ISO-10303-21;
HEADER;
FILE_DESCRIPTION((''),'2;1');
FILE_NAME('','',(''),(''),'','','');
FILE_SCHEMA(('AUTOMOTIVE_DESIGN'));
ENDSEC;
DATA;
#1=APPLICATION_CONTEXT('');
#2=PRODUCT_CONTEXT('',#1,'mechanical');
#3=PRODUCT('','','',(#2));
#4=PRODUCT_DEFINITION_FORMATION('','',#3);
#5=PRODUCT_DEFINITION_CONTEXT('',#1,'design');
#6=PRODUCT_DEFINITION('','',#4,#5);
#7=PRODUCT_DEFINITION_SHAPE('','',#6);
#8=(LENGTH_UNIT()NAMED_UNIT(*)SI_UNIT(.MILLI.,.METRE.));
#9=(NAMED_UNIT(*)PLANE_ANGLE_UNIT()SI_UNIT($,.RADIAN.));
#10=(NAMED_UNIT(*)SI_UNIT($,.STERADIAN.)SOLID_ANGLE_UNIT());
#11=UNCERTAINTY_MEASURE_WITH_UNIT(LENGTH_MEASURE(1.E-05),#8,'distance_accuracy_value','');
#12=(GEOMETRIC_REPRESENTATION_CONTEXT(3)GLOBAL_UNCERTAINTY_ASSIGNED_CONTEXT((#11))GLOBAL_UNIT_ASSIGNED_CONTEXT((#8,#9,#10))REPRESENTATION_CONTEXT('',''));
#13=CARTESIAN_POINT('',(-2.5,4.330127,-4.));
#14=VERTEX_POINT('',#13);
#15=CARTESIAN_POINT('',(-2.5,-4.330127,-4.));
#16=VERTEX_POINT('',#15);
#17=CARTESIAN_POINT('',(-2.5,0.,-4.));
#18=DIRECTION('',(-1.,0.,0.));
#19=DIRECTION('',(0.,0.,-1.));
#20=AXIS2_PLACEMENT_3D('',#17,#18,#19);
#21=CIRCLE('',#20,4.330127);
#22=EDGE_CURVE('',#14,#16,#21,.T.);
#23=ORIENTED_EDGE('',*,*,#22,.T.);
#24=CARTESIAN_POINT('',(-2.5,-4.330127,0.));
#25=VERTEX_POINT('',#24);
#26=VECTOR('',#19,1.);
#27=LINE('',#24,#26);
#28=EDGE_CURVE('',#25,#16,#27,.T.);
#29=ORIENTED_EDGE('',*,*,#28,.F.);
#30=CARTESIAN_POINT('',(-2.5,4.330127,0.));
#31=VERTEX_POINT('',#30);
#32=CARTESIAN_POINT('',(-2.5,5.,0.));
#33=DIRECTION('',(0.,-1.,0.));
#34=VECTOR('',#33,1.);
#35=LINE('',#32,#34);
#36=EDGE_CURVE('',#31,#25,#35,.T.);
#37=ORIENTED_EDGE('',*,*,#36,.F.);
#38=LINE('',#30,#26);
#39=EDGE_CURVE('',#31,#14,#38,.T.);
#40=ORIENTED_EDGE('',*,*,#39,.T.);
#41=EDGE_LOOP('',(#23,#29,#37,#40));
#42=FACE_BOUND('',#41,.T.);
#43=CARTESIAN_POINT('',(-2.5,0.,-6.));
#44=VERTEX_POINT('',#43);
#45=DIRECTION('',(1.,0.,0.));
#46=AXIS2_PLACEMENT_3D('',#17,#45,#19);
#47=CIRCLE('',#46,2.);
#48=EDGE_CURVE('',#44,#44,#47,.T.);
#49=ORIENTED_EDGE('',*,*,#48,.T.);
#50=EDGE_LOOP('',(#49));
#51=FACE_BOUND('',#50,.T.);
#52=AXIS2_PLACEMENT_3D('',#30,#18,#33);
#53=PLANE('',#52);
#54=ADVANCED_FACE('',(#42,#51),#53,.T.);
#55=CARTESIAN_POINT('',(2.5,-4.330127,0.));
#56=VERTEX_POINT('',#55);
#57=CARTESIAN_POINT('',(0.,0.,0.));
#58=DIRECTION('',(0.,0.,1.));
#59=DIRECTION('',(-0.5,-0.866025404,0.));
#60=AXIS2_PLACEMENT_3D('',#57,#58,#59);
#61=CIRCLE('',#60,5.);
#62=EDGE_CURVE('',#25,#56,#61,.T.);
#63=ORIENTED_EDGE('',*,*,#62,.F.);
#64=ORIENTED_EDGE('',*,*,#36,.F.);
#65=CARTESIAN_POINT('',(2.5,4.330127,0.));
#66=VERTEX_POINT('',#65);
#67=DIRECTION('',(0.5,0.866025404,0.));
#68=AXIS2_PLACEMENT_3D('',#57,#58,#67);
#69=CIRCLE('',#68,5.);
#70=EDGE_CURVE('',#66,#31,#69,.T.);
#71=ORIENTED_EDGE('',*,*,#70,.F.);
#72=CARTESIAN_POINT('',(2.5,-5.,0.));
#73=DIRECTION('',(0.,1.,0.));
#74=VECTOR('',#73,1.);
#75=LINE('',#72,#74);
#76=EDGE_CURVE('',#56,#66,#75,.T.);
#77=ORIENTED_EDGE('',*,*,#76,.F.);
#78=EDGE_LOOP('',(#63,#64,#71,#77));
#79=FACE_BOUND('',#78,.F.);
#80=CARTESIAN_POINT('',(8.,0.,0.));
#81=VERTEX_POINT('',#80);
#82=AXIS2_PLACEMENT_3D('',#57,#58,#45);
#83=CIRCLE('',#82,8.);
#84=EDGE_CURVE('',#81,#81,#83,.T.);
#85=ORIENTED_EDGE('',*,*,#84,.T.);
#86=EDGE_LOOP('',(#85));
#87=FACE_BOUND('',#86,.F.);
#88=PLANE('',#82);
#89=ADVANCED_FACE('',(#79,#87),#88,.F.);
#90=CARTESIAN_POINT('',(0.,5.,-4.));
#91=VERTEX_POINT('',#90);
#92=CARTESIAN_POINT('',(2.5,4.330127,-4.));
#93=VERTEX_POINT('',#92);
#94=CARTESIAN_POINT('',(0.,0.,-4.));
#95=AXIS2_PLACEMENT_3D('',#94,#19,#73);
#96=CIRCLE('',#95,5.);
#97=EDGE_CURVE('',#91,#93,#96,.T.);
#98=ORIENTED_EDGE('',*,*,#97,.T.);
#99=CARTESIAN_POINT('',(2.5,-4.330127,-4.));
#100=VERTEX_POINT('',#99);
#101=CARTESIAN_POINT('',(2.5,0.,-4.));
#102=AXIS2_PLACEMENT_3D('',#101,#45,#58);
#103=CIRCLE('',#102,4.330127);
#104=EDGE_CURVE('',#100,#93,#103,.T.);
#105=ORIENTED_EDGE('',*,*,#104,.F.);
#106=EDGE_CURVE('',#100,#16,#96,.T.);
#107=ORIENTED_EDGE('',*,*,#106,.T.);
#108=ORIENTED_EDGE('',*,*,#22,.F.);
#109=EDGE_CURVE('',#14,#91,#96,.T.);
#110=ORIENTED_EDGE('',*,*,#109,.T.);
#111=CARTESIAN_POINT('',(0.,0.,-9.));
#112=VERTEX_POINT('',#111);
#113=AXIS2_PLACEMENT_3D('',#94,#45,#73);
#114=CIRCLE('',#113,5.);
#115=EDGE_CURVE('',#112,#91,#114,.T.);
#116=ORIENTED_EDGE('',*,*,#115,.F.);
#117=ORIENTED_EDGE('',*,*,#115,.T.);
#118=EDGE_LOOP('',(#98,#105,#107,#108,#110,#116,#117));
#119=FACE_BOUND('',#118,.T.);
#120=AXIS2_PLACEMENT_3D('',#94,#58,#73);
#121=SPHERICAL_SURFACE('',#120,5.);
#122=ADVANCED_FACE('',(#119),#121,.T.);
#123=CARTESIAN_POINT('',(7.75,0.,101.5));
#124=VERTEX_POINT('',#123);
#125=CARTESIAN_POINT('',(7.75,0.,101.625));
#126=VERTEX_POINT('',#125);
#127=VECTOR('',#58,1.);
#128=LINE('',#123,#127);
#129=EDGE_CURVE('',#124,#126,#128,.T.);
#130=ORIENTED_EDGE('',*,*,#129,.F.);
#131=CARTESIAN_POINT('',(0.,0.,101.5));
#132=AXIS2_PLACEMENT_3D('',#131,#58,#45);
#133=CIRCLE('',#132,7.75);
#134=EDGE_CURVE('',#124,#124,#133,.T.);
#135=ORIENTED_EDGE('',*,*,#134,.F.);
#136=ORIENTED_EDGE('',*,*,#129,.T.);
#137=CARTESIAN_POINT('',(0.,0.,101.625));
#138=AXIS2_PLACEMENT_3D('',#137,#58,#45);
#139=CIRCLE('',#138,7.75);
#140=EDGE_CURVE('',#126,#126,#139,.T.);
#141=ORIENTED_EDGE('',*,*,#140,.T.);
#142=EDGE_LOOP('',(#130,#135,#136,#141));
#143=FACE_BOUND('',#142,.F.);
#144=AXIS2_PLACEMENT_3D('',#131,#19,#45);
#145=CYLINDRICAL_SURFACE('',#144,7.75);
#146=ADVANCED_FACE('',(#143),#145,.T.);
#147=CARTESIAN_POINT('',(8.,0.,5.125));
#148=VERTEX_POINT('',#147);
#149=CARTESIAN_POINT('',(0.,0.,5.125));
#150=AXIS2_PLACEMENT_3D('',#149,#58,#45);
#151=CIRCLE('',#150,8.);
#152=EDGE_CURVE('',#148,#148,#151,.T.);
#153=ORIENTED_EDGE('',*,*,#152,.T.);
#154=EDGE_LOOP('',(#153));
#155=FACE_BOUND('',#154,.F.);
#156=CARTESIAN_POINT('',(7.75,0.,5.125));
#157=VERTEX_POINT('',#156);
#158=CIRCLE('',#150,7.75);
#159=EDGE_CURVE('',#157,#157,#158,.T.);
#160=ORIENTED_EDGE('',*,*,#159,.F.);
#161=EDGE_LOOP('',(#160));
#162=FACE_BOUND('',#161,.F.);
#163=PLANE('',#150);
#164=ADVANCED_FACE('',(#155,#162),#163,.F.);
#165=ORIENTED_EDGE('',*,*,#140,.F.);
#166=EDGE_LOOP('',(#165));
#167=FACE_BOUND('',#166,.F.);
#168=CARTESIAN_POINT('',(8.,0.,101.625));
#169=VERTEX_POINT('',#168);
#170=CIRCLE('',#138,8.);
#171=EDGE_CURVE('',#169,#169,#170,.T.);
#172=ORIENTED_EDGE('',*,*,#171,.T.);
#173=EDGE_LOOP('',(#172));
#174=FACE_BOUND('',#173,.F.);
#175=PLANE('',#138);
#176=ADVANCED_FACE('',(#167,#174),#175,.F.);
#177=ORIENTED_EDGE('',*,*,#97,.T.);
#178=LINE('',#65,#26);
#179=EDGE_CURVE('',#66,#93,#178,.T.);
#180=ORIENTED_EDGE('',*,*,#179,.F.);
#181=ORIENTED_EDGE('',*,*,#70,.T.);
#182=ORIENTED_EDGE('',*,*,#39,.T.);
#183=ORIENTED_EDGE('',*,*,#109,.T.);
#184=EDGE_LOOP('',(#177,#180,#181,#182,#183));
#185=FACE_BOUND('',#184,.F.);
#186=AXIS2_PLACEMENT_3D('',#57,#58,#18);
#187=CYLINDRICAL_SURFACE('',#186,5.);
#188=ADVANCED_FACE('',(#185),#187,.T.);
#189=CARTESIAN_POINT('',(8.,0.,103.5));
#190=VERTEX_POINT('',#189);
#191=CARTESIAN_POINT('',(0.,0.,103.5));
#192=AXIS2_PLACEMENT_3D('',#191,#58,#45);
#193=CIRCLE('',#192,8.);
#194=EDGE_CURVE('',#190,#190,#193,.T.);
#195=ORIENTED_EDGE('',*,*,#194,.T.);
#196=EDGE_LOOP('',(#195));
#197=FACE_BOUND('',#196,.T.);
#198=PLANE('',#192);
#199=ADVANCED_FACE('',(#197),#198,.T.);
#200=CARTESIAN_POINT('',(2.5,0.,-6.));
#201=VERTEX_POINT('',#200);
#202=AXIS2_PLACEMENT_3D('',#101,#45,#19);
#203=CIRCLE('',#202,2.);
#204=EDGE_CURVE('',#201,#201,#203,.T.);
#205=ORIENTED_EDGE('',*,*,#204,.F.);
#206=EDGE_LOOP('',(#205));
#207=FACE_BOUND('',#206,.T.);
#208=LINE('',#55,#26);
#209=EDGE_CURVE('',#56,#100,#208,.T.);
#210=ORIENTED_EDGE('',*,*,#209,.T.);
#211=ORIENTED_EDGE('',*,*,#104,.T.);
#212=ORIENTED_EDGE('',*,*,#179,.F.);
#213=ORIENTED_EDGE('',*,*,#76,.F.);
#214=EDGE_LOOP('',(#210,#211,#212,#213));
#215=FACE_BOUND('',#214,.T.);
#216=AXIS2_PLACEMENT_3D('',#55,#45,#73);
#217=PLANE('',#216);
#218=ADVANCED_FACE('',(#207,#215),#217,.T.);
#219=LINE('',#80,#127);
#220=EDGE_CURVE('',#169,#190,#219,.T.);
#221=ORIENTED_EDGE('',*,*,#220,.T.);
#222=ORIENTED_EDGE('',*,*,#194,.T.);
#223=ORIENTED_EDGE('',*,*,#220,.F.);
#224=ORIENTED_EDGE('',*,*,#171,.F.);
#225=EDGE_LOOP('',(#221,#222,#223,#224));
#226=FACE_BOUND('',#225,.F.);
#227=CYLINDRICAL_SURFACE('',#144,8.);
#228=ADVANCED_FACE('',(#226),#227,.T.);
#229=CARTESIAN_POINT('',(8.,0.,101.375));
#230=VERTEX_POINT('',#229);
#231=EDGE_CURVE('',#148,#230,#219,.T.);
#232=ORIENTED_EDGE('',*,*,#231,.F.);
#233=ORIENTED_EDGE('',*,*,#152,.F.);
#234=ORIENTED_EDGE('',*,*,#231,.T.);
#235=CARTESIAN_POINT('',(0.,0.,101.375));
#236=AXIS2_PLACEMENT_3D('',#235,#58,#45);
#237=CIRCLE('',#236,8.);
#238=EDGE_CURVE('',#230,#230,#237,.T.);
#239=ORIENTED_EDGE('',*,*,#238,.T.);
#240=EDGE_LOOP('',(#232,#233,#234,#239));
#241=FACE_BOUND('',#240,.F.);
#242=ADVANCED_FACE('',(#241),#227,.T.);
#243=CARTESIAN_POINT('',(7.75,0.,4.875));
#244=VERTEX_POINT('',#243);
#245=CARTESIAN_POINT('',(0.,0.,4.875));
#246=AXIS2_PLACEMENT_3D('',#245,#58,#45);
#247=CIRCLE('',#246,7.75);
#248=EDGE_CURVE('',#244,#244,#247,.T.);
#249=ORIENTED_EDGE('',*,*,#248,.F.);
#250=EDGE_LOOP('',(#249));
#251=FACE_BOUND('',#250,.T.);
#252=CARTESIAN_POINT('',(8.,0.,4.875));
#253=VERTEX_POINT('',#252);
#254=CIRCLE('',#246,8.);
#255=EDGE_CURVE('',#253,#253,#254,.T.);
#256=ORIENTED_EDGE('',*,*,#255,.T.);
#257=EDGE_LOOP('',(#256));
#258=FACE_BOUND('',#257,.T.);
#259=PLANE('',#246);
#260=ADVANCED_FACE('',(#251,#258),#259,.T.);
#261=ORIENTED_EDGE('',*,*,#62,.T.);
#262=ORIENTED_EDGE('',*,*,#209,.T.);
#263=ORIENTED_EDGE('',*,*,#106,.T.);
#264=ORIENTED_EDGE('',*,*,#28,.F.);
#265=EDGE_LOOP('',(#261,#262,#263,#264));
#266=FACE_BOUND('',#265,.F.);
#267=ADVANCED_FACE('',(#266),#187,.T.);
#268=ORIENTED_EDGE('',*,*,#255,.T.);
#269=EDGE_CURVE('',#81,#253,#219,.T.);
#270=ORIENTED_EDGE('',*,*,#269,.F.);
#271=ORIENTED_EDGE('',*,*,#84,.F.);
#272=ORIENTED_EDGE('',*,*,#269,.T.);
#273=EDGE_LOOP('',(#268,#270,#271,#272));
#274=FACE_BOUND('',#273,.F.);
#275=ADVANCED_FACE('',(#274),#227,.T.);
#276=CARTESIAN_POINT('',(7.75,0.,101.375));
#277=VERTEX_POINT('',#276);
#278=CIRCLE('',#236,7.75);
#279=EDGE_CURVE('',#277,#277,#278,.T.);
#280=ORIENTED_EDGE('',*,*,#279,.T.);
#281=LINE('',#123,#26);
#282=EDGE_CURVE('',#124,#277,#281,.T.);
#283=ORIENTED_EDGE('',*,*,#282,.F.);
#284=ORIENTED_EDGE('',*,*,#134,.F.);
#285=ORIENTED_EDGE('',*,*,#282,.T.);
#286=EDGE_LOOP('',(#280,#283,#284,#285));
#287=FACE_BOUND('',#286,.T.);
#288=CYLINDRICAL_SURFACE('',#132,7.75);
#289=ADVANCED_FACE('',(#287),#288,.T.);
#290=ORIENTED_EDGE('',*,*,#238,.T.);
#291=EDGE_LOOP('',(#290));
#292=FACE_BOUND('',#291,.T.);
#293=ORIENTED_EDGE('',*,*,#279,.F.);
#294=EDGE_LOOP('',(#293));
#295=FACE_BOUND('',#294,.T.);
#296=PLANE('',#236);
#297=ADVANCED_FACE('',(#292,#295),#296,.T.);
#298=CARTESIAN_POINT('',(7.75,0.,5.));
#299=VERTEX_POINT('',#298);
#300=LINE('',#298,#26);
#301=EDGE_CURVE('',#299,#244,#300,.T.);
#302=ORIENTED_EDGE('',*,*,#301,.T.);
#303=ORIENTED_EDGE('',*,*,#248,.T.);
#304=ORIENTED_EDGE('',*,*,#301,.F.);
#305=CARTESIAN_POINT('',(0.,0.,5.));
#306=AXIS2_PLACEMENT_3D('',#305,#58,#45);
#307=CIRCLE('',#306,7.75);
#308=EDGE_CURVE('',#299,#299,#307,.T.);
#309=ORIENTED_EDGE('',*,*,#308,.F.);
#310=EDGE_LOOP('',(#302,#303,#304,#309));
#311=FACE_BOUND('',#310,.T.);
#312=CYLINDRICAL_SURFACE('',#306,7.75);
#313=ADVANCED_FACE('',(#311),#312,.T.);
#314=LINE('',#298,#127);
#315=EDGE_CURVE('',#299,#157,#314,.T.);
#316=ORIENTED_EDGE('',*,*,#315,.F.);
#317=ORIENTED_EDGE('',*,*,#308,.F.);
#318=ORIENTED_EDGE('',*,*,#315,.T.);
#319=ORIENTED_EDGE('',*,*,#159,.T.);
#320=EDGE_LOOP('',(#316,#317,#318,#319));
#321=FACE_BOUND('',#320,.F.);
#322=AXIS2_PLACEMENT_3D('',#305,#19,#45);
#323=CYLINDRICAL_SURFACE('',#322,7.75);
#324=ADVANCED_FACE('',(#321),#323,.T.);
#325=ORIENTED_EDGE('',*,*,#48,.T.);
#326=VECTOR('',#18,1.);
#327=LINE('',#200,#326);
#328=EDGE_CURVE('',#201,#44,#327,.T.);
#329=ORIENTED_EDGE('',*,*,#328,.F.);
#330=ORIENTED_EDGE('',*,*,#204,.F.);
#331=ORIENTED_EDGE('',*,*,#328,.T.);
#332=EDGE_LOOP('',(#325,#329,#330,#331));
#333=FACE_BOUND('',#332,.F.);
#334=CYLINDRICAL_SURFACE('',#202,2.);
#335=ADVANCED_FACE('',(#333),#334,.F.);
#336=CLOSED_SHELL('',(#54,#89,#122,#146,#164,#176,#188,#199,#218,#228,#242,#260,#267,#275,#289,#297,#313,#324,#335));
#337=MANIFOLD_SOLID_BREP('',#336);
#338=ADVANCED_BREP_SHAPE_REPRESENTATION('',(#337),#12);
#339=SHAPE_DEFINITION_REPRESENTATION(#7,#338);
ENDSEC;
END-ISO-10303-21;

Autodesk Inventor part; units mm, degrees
ref_plane "YZ Plane" through (0, 0, 0) normal (1, 0, 0) x (0, 1, 0)
sketch "Base" plane through (0, 0, 0) normal (0, 0, 1) x (1, 0, 0)
  circle A0 centre (0, 0) radius 8
  dimension "d0" = 16
extrude "BaseFeature" add sketch "Base" along normal blind 5
sketch "Mount" plane through (0, 0, 0) normal (0, 0, -1) x (-1, 0, 0)
  line L0 (2.5, -5) -> (-2.5, -5)
  line L1 (-2.5, -5) -> (-2.5, 5)
  line L2 (-2.5, 5) -> (2.5, 5)
  line L3 (2.5, 5) -> (2.5, -5)
  line L4 (11.2, 0) -> (-11.2, 0) construction
  line L5 (0, -11.2) -> (0, 11.2) construction
  circle A0 centre (0, 0) radius 5
  point P0 (0, -5)
  point P1 (2.5, 4.3301)
  point P2 (-2.5, 4.3301)
  point P3 (-2.5, -4.3301)
  point P4 (2.5, -4.3301)
  dimension "d3" = 10
  dimension "d4" = 5
extrude "MountFeature" add sketch "Mount" along normal blind 9 contours A0 L1 L3
sketch "MountProfile" plane through (0, 0, 0) normal (1, 0, 0) x (0, 1, 0)
  line L0 (5, 0) -> (5, -9) projected
  line L1 (4.3301, -9) -> (5, -9) projected
  line L2 (4.3301, -9) -> (-4.3301, -9) projected
  line L3 (-5, -9) -> (-4.3301, -9) projected
  line L4 (-5, 0) -> (-5, -9) projected
  line L5 (8, 0) -> (-8, 0) projected
  circle A0 centre (0, -4) radius 5
  line L6 (5, -4) -> (-5, -4)
  line L7 (0, -11) -> (0, 3) projected
  point P0 (0, 0)
  point P1 (0, -4)
  point P2 (0, -9)
  point P3 (-5, -4)
  point P4 (5, -4)
revolve "MountProfileFeature" cut sketch "MountProfile" angle 360 about axis through (0, 0, -10) along (0, 0, 1) contours L0 L1 L2 A0 | L2 L3 L4 A0
sketch "MountHole" plane through (2.5, -4.3301, 0) normal (1, 0, 0) x (0, 0, -1)
  arc A0 (4, 0) -> (4, 8.6603) centre (4, 4.3301) ccw projected
  circle A1 centre (4, 4.3301) radius 2
  point P0 (0, 4.3301)
  dimension "d15" = 4
extrude "MountHoleFeature" cut sketch "MountHole" against normal blind 10
sketch "Body" plane through (0, 0, 5) normal (0, 0, 1) x (1, 0, 0)
  circle A0 centre (0, 0) radius 8 projected
extrude "BodyFeature" add sketch "Body" along normal blind 96.5
ref_plane "BodyCapPlane" through (0, 0, 101.5) normal (0, 0, 1) x (1, 0, 0)
ref_plane "BaseBodyPlane" through (0, 0, 5) normal (0, 0, 1) x (1, 0, 0)
sketch "Sketch9" plane through (0, 0, 101.5) normal (0, 0, 1) x (1, 0, 0)
  circle A0 centre (0, 0) radius 8 projected
extrude "BodyCapFeature" add sketch "Sketch9" along normal blind 2
sketch "BodyCapEtch" plane through (0, 0, 101.5) normal (0, 0, 1) x (1, 0, 0)
  circle A0 centre (0, 0) radius 8 projected
  circle A1 centre (0, 0) radius 7.75
  dimension "d24" = 0.25
extrude "BodyCapEtchFeature" cut sketch "BodyCapEtch" along normal mid plane 0.25
sketch "BodyBaseEtch" plane through (0, 0, 5) normal (0, 0, 1) x (1, 0, 0)
  circle A0 centre (0, 0) radius 8 projected
  circle A1 centre (0, 0) radius 7.75
  dimension "d27" = 0.25
extrude "BodyBaseEtchFeature" cut sketch "BodyBaseEtch" along normal mid plane 0.25
properties part number "1610-50H-2KG-12V-B07-Body"
